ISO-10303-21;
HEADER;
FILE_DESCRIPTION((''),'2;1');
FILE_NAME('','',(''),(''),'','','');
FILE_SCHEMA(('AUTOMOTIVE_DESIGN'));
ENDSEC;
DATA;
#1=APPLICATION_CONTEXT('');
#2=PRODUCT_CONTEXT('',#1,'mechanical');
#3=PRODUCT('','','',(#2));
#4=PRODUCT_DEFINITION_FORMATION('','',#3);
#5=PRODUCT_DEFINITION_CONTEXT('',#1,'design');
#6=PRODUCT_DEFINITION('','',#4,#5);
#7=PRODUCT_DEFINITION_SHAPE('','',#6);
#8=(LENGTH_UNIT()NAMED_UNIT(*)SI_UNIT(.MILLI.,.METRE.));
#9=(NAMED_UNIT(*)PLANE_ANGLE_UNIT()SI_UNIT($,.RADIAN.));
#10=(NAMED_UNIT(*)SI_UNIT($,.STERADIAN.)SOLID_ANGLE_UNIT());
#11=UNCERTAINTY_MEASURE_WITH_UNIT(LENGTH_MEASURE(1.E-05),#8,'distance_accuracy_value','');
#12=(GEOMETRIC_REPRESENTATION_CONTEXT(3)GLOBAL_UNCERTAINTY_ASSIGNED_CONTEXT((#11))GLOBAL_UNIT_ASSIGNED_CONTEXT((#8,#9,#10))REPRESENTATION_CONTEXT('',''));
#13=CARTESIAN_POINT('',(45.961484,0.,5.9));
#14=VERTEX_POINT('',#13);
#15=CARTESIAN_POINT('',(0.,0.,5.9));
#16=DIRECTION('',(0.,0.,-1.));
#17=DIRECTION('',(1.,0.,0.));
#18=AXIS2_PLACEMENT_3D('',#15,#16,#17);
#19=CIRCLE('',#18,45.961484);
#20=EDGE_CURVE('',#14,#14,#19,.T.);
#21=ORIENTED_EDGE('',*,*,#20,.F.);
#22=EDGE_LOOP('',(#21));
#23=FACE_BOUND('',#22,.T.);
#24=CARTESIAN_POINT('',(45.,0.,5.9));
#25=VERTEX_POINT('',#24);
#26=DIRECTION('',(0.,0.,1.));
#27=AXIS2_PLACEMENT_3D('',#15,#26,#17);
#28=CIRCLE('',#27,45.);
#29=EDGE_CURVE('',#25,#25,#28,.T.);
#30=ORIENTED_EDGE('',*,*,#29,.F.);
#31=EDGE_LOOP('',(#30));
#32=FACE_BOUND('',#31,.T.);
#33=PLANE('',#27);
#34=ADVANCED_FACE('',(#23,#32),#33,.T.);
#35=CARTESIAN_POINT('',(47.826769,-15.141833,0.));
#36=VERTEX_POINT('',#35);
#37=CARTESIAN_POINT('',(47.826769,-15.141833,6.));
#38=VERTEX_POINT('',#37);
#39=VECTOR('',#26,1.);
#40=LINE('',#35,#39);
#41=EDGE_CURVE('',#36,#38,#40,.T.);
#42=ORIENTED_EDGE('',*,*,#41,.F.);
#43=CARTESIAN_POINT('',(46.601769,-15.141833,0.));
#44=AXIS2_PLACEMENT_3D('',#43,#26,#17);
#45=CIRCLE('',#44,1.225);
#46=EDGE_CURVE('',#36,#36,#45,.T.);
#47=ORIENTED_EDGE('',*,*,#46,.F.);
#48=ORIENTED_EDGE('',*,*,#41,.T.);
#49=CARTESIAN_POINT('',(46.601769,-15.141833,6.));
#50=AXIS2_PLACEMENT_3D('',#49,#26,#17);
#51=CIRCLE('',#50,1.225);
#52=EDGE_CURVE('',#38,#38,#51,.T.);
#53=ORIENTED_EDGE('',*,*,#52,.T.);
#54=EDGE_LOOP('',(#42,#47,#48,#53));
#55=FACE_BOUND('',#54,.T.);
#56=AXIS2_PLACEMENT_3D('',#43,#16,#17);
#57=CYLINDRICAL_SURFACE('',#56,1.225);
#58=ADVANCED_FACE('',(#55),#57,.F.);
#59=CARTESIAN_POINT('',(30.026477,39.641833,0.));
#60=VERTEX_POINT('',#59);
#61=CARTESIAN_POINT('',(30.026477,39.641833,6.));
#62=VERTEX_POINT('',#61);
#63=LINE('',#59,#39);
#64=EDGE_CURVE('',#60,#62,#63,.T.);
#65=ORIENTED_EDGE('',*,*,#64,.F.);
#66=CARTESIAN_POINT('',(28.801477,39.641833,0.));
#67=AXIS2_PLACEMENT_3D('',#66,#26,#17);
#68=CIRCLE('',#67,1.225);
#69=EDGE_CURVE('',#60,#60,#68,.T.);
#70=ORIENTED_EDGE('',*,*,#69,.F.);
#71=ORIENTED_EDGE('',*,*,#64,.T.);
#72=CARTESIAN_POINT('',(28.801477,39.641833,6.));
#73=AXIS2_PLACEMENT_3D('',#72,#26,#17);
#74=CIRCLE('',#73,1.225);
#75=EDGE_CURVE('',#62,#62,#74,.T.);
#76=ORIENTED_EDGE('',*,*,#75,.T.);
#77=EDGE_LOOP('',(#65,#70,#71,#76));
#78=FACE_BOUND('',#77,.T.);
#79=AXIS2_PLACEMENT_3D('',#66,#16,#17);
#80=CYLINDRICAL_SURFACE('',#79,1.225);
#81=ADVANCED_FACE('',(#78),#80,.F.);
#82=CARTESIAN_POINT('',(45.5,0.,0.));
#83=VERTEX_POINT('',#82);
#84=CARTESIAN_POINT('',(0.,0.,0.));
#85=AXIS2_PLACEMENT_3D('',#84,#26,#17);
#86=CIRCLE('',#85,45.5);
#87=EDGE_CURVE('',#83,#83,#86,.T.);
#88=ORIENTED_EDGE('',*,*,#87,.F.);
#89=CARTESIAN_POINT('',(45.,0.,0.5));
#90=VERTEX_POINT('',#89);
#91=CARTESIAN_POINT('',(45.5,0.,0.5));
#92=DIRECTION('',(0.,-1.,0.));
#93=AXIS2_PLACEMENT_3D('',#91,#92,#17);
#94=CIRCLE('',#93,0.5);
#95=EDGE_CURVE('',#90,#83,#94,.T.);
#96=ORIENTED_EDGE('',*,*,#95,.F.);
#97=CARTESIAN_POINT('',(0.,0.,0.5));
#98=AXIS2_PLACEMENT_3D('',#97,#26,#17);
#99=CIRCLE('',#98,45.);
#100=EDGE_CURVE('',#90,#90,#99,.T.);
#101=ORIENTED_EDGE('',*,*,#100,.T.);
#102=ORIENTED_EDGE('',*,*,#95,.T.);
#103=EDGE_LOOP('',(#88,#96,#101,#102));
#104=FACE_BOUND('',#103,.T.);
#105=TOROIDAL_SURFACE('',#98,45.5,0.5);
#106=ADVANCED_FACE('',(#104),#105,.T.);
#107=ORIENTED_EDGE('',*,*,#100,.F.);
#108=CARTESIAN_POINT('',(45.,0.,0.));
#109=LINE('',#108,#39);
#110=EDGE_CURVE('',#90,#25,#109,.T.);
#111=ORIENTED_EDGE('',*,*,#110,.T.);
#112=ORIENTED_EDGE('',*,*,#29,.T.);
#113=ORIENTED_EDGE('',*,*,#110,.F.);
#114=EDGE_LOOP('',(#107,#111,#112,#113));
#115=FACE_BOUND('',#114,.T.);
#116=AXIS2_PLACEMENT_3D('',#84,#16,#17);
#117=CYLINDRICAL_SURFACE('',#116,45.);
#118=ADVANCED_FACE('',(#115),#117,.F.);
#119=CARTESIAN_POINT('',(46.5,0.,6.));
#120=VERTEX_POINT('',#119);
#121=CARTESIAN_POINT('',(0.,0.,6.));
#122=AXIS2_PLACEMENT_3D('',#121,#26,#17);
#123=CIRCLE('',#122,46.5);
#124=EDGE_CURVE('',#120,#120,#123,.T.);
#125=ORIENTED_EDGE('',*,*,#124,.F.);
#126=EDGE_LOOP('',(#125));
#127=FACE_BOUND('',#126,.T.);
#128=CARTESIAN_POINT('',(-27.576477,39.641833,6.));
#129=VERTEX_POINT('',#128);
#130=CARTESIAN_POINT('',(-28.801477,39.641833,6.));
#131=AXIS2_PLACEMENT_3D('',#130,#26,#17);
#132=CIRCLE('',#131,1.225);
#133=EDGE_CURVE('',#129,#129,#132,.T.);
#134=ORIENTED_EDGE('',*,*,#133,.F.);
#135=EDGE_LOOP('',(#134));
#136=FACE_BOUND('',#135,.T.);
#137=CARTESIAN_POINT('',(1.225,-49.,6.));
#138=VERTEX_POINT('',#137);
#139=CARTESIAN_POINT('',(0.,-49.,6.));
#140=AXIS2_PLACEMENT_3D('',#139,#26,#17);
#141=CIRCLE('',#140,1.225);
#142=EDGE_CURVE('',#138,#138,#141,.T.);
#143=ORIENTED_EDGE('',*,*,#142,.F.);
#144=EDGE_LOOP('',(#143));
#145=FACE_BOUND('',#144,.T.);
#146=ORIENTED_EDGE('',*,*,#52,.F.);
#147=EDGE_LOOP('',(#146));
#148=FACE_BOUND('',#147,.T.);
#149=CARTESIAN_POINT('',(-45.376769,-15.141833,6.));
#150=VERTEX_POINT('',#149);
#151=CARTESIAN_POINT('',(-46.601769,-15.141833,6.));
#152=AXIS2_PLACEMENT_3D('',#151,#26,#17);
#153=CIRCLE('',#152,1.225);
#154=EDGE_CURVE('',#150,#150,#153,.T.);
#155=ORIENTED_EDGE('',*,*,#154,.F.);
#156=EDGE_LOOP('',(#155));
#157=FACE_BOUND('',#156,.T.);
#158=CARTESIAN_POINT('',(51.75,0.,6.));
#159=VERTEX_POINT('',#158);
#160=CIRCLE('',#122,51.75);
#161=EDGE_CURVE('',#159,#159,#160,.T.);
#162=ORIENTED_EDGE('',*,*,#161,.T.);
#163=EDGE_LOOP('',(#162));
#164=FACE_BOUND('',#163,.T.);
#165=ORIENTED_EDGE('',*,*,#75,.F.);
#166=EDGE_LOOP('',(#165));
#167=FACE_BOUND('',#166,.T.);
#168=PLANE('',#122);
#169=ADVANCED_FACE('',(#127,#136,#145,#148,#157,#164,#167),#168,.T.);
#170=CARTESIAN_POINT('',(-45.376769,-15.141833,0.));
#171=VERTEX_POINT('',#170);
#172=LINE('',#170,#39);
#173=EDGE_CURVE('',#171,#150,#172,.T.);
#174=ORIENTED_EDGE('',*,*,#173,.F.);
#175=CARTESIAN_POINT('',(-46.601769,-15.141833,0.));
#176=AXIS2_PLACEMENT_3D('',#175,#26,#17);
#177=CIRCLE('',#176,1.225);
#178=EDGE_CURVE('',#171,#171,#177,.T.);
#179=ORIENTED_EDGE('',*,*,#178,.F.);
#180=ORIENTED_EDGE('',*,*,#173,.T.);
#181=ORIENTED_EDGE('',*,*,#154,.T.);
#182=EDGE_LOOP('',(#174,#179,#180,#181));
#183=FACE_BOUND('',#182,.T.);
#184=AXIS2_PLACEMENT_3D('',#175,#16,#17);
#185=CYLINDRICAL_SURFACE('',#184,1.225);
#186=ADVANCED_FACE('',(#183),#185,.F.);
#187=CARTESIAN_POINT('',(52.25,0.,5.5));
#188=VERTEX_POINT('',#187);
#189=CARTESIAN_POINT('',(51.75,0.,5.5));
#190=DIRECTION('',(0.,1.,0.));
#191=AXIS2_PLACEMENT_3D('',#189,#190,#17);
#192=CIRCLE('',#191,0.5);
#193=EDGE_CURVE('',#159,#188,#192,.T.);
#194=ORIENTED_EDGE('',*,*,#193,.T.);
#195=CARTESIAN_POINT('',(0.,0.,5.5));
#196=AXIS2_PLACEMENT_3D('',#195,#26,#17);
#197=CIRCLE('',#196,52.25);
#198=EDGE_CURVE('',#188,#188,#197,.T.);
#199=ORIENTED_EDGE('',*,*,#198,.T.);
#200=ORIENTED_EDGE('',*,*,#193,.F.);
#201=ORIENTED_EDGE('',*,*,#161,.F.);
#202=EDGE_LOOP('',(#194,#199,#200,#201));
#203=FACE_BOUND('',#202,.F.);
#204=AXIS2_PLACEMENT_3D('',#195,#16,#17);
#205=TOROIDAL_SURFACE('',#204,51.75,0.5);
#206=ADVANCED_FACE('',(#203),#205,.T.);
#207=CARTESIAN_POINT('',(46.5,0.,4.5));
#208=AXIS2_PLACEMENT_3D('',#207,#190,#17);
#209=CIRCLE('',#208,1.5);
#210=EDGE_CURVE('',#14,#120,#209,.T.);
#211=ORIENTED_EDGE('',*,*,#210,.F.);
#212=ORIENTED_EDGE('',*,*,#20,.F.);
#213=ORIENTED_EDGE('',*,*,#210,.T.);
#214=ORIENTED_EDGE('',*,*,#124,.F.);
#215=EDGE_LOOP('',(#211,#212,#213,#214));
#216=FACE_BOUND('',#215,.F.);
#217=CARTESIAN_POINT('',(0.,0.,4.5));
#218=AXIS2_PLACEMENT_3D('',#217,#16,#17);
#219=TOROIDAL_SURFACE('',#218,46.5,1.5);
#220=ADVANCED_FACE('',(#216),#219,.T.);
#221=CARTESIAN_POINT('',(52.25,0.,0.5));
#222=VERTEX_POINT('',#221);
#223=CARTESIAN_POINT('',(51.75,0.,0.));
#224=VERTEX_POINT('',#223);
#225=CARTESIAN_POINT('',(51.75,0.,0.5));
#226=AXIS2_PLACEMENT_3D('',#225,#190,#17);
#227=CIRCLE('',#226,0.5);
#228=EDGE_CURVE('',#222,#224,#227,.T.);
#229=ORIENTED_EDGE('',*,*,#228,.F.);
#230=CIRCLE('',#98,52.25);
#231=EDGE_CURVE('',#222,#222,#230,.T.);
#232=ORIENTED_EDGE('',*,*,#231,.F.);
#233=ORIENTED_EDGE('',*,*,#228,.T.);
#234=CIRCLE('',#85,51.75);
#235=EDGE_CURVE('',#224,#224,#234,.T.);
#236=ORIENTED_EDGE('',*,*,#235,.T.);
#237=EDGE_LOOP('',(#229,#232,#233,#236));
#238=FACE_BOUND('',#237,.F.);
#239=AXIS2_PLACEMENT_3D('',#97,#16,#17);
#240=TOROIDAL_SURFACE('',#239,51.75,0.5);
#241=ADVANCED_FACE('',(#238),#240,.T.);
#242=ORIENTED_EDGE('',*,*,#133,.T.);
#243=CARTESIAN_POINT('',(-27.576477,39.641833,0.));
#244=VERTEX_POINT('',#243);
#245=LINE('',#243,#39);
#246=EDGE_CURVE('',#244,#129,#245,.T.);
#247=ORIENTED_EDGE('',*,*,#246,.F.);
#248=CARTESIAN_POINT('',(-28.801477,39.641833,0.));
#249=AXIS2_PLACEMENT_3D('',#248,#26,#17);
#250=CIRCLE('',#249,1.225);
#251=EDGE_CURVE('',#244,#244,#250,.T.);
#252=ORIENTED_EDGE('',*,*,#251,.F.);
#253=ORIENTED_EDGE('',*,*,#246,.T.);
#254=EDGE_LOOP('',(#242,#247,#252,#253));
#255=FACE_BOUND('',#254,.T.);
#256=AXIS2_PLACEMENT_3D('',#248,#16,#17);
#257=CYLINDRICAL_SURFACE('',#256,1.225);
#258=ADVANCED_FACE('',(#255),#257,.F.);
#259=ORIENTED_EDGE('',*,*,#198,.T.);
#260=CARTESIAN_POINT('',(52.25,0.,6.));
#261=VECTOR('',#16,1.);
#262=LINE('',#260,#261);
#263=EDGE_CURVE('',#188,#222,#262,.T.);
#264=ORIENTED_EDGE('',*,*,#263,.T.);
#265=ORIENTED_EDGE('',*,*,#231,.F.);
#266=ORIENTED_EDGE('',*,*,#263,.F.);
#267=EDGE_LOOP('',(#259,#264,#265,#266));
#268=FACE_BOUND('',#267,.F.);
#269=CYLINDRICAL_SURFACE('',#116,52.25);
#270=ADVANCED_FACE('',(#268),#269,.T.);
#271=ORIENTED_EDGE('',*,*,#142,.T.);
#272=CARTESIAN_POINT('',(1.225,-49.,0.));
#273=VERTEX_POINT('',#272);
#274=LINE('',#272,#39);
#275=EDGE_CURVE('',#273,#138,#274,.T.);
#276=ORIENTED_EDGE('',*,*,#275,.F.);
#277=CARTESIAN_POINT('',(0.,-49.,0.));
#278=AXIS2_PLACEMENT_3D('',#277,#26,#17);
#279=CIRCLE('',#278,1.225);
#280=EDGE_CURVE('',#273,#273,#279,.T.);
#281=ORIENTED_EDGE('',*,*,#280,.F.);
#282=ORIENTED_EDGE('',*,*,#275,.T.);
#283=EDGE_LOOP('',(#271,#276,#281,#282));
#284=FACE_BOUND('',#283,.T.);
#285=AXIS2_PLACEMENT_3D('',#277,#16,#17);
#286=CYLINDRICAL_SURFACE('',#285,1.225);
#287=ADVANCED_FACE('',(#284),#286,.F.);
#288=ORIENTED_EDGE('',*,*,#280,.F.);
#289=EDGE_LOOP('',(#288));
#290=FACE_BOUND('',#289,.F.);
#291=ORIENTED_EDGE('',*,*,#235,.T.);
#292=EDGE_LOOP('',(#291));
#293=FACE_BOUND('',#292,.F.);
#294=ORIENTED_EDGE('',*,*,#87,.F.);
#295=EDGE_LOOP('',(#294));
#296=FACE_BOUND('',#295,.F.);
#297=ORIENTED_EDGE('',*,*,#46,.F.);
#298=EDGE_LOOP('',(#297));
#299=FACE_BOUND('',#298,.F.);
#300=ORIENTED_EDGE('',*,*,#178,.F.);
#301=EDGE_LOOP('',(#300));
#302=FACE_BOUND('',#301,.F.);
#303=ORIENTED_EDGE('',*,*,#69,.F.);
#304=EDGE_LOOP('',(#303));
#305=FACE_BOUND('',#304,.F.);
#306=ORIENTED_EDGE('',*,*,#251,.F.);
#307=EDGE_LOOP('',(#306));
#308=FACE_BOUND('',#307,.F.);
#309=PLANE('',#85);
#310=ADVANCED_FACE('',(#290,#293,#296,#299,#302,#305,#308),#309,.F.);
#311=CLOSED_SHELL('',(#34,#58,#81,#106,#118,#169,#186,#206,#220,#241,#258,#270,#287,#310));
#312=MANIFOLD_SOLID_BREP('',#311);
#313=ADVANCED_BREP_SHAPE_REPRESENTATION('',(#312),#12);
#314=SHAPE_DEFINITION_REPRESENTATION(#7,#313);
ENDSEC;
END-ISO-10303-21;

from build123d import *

# Parameters (mm, degrees)
F0_R     = 52.25
F0_R_2   = 1.225
F0_R_3   = 45
F1_DEPTH = 6
F2_R     = 1.5
F3_DEPTH = 5.9
F4_R     = 0.5


with BuildPart() as f1:
    # F0 (on Top) → F1 (new body)
    with BuildSketch(Plane.XY):
        Circle(F0_R)
        with Locations((-46.601769, -15.141833)):
            Circle(F0_R_2, mode=Mode.SUBTRACT)
        with Locations((0, -49)):
            Circle(F0_R_2, mode=Mode.SUBTRACT)
        with Locations((46.601769, -15.141833)):
            Circle(F0_R_2, mode=Mode.SUBTRACT)
        with Locations((-28.801477, 39.641833)):
            Circle(F0_R_2, mode=Mode.SUBTRACT)
        Circle(F0_R_3, mode=Mode.SUBTRACT)
        with Locations((28.801477, 39.641833)):
            Circle(F0_R_2, mode=Mode.SUBTRACT)
    extrude(amount=F1_DEPTH)

    # F2
    f2_edges = [f1.edges().sort_by_distance(p)[0] for p in [
        (-45, 0, 6),
    ]]
    fillet(f2_edges, radius=F2_R)

    # F0 (on Top) → F3 (join)
    with BuildSketch(Plane.XY):
        Circle(F0_R)
        with Locations((-46.601769, -15.141833)):
            Circle(F0_R_2, mode=Mode.SUBTRACT)
        with Locations((0, -49)):
            Circle(F0_R_2, mode=Mode.SUBTRACT)
        with Locations((46.601769, -15.141833)):
            Circle(F0_R_2, mode=Mode.SUBTRACT)
        with Locations((-28.801477, 39.641833)):
            Circle(F0_R_2, mode=Mode.SUBTRACT)
        Circle(F0_R_3, mode=Mode.SUBTRACT)
        with Locations((28.801477, 39.641833)):
            Circle(F0_R_2, mode=Mode.SUBTRACT)
    extrude(amount=F3_DEPTH)

    # F4
    f4_edges = [f1.edges().sort_by_distance(p)[0] for p in [
        (-45, 0, 0),
        (-52.25, 0, 0),
        (-52.25, 0, 6),
    ]]
    fillet(f4_edges, radius=F4_R)


solid = f1.part
